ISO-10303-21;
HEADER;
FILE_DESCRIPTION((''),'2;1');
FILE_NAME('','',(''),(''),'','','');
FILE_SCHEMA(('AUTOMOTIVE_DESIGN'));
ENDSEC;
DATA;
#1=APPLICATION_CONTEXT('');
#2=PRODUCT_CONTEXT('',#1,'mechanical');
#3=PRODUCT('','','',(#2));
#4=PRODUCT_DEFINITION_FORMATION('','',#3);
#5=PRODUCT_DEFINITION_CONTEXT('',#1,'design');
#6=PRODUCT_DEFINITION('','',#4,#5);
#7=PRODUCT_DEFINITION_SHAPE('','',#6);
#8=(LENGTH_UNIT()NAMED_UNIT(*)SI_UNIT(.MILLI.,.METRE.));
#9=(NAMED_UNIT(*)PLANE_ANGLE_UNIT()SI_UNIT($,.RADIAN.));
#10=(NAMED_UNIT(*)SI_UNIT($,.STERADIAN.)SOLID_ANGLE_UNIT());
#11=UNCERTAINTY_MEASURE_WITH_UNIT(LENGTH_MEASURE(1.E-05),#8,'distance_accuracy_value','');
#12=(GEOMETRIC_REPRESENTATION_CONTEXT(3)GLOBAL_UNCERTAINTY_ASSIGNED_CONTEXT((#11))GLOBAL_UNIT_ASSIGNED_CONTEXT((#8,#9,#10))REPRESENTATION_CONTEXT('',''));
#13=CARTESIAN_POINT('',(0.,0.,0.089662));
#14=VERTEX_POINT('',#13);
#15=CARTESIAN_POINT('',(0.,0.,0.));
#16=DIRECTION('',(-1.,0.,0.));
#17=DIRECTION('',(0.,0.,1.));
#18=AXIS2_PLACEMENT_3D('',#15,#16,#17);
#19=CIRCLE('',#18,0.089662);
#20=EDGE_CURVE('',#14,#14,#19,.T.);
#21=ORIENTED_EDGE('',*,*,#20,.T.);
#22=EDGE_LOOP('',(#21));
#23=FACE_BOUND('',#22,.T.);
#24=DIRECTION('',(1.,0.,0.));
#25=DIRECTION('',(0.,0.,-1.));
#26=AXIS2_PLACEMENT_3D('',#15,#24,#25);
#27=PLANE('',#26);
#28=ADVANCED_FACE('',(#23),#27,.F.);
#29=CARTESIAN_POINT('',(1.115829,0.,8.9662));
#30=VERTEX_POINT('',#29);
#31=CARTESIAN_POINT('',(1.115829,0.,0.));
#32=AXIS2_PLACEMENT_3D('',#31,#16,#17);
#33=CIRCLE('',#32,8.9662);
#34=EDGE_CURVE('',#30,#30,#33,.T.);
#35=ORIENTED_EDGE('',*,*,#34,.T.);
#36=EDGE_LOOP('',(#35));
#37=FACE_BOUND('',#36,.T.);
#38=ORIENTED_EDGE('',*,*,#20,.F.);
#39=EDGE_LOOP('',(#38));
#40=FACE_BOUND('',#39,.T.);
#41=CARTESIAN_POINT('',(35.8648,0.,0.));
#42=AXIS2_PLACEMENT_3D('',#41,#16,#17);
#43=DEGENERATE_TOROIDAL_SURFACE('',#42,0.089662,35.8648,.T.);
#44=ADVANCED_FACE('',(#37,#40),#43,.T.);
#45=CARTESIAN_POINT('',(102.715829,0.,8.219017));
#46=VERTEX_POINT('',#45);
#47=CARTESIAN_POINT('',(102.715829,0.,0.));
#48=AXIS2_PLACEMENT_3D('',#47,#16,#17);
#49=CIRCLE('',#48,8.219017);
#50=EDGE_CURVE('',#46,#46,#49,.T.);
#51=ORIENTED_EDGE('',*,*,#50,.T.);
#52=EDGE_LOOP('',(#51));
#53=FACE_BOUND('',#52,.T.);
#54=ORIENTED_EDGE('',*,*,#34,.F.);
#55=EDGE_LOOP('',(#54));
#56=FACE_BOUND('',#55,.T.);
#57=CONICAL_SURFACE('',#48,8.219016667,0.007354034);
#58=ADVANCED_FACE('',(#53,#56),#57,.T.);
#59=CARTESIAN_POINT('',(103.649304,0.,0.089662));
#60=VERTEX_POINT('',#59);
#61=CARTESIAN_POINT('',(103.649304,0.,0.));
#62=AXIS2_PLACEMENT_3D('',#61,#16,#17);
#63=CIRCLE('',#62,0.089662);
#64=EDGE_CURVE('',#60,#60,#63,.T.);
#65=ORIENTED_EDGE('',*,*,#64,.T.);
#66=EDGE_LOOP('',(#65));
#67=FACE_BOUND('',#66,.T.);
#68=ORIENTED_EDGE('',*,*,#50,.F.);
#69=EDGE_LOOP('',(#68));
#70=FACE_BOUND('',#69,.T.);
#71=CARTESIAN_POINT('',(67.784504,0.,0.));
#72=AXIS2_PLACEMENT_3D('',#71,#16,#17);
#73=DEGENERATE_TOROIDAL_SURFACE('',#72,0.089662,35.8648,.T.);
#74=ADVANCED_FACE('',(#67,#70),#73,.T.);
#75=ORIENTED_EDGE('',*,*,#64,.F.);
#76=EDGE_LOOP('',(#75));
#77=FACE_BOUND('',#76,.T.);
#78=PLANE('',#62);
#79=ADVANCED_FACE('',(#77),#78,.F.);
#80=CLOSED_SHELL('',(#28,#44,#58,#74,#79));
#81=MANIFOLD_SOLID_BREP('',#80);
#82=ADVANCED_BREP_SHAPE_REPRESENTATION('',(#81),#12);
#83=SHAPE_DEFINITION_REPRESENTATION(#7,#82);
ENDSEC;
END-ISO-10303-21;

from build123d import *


with BuildPart() as part:
    # Sketch1 → Base-Revolve (revolve)
    with BuildSketch(Plane.XY, mode=Mode.PRIVATE) as base_revolve_sk:
        with BuildLine():
            Line((0, 0), (0, 0.089662))
            ThreePointArc((0, 0.089662), (0.28005076, 4.562860025), (1.11582948, 8.9662))
            Line((1.11582948, 8.9662), (102.71582948, 8.219016667))
            ThreePointArc((102.71582948, 8.219016667), (103.415171437, 4.181048768), (103.649304402, 0.089662))
            Line((103.649304402, 0.089662), (103.649304402, 0))
            Line((103.649304402, 0), (0, 0))
        make_face()
    revolve(base_revolve_sk.sketch.rotate(Axis((-5.588, 0, 0), (1, 0, 0)), 90), axis=Axis((-5.588, 0, 0), (1, 0, 0)))


solid = part.part
